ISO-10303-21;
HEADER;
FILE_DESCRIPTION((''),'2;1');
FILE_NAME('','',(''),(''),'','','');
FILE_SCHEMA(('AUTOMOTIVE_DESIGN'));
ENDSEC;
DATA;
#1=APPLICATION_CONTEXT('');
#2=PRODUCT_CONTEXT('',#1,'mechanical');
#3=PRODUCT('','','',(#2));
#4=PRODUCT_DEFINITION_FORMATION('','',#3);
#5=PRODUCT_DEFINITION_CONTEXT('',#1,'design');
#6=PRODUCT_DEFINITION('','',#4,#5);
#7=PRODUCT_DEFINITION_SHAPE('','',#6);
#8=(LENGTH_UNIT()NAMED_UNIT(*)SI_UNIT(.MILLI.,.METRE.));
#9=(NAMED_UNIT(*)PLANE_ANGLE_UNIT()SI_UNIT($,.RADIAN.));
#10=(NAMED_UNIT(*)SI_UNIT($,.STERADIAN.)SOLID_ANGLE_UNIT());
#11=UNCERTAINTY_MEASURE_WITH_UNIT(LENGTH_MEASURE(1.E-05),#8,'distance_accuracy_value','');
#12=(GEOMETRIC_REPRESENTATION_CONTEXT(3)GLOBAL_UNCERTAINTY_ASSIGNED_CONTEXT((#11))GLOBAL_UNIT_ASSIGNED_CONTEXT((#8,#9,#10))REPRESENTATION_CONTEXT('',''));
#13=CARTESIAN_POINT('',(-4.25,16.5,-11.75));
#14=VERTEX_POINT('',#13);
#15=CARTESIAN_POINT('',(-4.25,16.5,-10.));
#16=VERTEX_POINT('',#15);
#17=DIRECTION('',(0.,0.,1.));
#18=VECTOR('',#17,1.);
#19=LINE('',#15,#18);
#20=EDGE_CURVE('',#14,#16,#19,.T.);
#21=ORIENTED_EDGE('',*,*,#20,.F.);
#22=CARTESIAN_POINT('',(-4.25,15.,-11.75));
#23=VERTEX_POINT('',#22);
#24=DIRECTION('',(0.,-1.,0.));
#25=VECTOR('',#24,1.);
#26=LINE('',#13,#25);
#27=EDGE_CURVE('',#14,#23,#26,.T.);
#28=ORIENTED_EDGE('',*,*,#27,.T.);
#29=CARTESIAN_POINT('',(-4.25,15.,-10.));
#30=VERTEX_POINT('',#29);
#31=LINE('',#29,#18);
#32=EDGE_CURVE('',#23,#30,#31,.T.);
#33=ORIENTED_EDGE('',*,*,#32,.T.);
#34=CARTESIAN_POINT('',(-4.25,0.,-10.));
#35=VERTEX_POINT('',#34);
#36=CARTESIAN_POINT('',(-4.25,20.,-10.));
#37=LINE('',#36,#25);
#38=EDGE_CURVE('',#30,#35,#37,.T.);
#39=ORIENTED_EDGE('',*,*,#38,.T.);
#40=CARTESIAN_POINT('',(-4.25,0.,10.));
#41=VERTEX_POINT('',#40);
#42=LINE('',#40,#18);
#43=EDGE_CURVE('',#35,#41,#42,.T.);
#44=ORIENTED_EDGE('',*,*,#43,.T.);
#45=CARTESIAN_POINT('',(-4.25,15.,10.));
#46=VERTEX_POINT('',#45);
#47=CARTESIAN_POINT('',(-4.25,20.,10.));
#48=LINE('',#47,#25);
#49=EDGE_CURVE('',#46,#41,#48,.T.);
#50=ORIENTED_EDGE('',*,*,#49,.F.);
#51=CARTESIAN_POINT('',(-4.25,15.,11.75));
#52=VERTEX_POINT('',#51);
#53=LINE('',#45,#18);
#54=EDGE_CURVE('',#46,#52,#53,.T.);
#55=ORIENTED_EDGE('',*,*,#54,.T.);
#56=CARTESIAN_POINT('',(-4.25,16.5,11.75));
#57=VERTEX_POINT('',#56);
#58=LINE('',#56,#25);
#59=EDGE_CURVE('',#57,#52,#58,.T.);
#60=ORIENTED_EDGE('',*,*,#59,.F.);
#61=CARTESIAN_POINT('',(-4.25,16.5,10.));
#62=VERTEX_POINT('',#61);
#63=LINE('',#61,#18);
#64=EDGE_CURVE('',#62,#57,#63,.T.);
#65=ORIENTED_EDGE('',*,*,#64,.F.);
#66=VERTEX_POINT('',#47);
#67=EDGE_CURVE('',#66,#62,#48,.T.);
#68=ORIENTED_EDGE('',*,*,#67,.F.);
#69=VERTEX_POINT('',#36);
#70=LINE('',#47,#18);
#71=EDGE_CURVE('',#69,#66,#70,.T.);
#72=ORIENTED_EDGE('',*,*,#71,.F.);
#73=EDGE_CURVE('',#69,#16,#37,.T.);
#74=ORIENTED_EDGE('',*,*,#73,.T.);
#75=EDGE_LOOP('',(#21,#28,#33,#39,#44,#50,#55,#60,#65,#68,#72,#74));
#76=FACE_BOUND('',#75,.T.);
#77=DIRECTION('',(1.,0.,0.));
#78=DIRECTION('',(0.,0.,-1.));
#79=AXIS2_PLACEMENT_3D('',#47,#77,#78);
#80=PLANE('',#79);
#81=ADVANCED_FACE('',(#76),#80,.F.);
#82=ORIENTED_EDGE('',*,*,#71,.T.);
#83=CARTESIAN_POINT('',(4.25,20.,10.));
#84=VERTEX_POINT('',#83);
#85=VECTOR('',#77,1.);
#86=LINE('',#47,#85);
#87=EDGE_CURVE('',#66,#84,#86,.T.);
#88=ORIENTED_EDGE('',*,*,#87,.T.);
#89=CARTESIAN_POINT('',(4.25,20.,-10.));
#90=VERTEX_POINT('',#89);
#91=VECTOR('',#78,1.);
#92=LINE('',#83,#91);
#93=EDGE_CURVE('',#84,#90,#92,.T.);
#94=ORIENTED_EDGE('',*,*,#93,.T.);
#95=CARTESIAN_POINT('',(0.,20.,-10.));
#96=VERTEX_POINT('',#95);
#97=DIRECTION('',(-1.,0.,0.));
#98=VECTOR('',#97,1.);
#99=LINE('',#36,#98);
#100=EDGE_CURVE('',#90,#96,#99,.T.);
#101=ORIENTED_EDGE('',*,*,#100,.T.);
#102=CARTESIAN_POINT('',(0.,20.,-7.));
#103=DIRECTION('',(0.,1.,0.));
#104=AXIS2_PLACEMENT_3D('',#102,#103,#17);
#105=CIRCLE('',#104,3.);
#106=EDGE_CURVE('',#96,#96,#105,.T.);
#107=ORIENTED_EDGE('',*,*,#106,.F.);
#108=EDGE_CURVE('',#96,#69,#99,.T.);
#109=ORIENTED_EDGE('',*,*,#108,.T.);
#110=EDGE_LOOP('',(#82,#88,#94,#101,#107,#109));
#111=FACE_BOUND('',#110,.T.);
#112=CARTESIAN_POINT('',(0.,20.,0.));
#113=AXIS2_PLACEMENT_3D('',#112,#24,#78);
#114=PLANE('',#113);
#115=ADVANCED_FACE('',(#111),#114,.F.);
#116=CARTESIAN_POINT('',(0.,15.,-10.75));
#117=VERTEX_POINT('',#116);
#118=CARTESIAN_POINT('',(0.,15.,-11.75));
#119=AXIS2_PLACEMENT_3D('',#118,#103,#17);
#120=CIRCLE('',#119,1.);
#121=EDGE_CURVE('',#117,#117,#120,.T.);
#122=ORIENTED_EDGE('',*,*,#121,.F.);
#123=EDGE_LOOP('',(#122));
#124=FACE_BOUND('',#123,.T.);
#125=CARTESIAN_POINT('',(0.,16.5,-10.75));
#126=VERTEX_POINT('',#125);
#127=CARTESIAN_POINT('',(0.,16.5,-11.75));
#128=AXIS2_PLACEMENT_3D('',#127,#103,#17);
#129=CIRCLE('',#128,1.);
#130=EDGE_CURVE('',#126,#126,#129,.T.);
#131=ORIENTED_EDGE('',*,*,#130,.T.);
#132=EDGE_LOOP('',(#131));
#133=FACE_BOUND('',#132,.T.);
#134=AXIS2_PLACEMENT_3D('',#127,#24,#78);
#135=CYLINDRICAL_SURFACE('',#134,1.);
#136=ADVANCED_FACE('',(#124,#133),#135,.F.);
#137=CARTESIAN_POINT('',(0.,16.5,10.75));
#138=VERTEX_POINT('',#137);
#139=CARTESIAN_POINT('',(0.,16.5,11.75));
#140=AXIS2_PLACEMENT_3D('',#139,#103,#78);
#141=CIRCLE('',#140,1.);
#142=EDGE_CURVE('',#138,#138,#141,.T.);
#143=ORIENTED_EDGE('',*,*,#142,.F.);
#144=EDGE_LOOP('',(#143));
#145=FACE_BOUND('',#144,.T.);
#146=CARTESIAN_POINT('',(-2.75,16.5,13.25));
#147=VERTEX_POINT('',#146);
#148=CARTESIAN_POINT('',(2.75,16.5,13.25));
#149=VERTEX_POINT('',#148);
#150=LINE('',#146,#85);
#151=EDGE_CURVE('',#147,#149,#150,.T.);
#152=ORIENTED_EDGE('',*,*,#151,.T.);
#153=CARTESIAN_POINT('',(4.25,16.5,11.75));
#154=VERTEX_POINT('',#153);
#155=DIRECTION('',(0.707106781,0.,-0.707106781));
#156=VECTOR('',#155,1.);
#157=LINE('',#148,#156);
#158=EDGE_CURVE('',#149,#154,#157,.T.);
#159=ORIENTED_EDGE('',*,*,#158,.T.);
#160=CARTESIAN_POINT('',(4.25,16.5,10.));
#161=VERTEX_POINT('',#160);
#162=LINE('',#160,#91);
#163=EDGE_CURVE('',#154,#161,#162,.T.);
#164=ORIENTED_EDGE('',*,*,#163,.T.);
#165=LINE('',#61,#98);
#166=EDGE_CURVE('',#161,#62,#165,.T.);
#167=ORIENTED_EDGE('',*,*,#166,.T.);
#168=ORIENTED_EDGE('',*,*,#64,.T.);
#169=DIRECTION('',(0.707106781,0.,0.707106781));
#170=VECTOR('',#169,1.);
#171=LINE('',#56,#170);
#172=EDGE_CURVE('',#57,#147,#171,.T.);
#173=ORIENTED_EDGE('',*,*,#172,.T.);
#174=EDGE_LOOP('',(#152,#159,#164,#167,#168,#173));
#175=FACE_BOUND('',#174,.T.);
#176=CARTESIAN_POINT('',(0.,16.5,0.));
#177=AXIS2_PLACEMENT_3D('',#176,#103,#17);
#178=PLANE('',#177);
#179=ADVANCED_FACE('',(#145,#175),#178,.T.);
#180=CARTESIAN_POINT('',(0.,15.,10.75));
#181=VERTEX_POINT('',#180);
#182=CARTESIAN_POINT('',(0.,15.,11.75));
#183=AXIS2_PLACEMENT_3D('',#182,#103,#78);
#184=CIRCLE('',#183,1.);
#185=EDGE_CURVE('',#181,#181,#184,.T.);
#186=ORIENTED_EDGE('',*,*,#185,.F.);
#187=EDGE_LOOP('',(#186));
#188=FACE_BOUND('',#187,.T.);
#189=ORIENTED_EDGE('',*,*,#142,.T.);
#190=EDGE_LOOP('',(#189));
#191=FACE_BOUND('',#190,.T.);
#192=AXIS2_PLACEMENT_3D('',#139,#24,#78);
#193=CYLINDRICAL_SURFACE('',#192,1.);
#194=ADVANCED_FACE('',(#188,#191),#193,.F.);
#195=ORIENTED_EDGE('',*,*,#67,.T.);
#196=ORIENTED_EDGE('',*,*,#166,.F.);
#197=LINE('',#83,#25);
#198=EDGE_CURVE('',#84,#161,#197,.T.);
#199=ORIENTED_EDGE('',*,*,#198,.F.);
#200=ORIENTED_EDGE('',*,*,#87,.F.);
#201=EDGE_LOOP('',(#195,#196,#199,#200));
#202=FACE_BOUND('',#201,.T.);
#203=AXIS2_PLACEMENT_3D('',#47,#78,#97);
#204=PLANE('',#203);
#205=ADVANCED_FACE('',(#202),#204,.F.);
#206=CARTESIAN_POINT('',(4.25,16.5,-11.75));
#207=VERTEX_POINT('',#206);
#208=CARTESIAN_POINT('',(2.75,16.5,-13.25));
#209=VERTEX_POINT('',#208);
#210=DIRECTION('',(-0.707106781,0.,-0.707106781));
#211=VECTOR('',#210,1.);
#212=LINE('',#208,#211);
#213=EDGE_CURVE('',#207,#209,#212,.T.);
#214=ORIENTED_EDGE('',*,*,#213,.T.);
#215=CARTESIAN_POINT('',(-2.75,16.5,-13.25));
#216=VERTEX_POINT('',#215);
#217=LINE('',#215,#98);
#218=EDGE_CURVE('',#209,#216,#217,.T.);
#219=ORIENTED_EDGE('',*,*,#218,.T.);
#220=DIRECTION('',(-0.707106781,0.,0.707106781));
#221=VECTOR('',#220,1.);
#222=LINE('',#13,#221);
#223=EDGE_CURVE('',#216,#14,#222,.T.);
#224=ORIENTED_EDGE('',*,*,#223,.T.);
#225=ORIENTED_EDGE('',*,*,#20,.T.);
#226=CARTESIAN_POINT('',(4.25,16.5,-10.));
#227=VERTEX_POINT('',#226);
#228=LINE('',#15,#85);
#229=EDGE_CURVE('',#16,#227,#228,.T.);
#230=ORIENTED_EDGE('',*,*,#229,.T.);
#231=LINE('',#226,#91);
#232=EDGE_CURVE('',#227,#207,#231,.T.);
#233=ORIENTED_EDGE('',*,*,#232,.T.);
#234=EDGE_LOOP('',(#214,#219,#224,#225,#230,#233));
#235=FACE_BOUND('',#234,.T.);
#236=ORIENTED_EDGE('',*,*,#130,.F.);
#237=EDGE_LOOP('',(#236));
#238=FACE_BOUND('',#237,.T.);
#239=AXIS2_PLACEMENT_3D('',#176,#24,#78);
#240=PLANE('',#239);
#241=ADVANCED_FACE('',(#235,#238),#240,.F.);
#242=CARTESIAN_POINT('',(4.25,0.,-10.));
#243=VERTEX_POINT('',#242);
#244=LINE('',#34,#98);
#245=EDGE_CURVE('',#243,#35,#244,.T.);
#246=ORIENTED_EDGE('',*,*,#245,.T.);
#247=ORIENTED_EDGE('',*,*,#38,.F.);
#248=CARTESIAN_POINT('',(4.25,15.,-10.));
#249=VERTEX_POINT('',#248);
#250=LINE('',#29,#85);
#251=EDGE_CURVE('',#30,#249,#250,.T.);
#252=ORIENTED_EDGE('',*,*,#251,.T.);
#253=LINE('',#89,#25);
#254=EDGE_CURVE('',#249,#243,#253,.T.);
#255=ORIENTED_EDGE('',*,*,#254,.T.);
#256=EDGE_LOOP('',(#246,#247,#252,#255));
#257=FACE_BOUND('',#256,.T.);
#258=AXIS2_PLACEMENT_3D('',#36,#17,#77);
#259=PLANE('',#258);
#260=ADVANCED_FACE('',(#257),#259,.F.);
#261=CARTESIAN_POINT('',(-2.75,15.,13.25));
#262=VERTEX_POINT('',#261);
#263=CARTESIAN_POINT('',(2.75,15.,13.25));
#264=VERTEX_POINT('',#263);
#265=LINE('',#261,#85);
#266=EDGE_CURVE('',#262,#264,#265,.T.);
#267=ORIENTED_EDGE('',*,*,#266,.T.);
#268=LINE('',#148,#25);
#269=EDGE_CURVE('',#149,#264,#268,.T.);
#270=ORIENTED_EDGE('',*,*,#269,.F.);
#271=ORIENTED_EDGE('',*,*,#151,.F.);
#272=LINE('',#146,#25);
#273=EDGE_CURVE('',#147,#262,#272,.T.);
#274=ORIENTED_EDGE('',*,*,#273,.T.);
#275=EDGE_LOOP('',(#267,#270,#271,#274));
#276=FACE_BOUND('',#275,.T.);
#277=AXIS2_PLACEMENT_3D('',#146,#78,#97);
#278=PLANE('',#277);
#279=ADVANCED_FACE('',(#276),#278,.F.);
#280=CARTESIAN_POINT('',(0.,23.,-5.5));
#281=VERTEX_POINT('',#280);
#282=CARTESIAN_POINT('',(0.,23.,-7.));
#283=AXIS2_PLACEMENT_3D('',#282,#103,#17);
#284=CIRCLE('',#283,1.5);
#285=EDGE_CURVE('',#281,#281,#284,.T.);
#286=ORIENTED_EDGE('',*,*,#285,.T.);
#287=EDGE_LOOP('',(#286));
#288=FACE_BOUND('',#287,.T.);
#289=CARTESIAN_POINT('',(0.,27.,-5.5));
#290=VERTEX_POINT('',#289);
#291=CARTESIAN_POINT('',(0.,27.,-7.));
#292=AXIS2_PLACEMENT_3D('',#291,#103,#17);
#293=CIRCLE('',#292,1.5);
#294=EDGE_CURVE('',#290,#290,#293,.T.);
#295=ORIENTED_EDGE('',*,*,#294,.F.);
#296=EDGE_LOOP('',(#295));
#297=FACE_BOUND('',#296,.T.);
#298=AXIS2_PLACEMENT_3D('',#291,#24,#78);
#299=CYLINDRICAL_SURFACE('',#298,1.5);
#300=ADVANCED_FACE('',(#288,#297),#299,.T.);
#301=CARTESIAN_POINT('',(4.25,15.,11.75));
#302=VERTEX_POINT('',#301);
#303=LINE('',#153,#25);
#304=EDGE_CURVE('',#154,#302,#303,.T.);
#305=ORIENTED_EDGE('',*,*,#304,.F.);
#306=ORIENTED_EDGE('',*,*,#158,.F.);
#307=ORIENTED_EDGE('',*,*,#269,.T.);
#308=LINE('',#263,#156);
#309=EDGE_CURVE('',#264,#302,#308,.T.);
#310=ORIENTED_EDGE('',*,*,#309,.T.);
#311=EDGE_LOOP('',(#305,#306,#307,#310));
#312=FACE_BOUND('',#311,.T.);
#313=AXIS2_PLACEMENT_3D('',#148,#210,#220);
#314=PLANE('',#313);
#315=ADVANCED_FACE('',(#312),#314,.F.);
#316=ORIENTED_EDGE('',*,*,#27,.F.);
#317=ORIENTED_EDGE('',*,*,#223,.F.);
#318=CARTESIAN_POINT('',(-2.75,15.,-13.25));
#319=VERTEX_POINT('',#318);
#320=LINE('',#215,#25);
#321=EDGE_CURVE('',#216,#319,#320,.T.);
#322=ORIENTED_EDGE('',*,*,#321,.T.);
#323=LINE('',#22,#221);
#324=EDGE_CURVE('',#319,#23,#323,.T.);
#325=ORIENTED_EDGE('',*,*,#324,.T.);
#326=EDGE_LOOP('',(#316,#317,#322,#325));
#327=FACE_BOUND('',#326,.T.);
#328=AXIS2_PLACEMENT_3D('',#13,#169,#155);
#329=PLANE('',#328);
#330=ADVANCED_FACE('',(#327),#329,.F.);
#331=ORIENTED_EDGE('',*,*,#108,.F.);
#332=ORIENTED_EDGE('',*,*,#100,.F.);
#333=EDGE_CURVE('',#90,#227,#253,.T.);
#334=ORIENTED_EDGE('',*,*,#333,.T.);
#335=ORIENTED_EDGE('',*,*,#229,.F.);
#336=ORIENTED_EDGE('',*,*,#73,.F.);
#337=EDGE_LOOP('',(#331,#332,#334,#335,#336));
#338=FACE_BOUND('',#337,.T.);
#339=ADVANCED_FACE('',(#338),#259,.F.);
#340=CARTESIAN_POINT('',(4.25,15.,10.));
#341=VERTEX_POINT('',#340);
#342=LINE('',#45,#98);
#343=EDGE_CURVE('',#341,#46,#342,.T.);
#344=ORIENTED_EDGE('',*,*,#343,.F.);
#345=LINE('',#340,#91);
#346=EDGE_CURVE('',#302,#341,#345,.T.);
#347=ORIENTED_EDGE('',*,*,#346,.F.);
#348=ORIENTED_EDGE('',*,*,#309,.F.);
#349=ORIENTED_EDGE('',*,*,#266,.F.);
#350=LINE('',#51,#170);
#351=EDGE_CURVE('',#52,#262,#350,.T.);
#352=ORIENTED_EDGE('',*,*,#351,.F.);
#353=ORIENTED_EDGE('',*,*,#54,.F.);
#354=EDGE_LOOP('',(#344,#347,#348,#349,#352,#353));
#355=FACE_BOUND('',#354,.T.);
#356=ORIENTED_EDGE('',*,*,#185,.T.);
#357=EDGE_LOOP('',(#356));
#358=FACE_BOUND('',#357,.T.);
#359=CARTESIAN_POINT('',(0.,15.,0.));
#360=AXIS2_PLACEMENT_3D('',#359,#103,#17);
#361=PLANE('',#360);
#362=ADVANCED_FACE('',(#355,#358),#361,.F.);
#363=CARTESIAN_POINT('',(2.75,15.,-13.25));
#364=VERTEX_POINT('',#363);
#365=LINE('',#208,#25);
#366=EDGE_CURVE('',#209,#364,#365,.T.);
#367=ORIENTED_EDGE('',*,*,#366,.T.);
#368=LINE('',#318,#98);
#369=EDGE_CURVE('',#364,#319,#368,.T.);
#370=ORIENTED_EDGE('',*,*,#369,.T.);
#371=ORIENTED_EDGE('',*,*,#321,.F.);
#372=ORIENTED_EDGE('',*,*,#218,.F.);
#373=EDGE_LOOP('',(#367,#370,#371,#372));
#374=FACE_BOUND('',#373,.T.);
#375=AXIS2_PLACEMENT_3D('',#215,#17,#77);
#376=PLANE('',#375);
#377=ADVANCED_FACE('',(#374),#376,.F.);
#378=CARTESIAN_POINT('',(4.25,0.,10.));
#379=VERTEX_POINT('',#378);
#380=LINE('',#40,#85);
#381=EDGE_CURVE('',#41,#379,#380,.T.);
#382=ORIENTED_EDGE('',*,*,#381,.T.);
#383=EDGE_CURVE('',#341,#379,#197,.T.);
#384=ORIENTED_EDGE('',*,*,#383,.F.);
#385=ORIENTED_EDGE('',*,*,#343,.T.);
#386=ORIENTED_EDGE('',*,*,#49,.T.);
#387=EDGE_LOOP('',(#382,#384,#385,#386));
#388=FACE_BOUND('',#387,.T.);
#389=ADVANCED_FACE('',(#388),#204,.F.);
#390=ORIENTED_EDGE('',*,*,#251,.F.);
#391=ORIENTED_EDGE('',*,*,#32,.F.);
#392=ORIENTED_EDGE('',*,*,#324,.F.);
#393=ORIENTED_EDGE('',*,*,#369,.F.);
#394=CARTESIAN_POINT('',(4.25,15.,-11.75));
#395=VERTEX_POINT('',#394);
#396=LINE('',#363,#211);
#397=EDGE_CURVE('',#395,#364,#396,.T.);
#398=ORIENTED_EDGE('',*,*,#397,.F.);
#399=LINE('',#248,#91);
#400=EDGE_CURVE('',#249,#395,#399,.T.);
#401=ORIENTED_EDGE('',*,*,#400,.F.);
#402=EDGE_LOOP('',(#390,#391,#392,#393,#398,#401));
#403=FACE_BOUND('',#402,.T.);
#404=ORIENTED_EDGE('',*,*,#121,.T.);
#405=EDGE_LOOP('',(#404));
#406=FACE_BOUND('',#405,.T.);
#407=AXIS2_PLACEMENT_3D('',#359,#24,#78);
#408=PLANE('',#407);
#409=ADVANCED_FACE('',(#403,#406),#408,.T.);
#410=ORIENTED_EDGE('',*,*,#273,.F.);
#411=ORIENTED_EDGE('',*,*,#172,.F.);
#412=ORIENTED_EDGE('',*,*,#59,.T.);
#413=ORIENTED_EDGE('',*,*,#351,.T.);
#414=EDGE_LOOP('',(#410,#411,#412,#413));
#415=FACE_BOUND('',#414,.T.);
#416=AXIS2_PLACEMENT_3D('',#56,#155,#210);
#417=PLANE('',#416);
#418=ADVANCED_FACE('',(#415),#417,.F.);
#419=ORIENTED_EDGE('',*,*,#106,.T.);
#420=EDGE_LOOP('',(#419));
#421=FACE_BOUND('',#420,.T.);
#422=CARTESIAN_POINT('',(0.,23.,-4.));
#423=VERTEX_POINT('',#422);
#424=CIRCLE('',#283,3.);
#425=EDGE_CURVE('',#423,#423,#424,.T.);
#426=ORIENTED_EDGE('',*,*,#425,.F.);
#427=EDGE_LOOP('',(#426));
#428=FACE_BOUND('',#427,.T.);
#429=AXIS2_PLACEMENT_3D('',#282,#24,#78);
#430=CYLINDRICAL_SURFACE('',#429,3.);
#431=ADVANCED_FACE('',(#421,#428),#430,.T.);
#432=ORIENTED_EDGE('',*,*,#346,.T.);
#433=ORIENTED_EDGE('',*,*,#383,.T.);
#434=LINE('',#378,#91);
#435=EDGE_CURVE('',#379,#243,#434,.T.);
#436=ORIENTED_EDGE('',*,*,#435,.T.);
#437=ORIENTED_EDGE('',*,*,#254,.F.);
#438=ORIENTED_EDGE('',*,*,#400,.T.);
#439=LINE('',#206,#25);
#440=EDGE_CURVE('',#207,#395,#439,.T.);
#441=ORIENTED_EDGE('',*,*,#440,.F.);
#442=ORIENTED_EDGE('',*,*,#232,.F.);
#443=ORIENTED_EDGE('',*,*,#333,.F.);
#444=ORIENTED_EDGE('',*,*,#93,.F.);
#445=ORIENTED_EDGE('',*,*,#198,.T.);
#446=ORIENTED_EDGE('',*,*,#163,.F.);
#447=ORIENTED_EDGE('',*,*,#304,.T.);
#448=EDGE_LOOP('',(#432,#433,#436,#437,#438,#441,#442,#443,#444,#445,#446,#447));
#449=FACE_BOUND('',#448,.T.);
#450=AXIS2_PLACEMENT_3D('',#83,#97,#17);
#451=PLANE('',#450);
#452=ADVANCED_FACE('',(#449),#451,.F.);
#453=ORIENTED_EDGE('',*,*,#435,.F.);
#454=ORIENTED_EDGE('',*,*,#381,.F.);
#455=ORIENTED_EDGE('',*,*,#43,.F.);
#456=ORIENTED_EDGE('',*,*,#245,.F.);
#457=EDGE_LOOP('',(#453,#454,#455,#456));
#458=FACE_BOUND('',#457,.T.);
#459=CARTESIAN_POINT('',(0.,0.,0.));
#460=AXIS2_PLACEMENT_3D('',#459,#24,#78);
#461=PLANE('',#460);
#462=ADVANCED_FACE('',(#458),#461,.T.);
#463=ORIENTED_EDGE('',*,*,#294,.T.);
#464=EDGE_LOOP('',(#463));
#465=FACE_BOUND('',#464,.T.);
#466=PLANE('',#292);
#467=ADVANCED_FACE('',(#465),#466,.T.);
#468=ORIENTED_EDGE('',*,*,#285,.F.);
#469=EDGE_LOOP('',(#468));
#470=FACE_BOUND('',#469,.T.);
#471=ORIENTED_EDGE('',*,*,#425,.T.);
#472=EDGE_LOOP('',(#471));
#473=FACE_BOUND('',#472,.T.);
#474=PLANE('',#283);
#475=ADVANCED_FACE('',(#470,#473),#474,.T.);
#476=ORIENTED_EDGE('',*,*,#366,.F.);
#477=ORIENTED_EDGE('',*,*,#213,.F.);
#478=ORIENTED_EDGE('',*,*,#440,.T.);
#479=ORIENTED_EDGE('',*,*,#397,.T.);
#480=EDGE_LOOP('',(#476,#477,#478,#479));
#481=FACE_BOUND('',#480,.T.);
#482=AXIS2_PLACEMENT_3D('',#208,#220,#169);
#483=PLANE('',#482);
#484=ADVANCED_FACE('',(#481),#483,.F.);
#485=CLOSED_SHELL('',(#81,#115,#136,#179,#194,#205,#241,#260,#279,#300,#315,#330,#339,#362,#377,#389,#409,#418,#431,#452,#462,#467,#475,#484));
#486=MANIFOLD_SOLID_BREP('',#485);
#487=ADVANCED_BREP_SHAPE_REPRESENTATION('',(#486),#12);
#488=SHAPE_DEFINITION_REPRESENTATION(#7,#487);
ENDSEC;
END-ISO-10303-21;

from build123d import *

# Parameters (mm, degrees)
SKETCH1_W           = 8.5
SKETCH1_H           = 20
BOSS_EXTRUDE1_DEPTH = 20
SKETCH4_R           = 1
BOSS_EXTRUDE2_DEPTH = 1.5
SKETCH6_R           = 3
BOSS_EXTRUDE3_DEPTH = 3
SKETCH7_R           = 1.5
BOSS_EXTRUDE4_DEPTH = 4


with BuildPart() as part:
    # Sketch1 → Boss-Extrude1 (new body)
    with BuildSketch(Plane(origin=(0, 0, 0), x_dir=(1, 0, 0), z_dir=(0, 1, 0))):
        Rectangle(SKETCH1_W, SKETCH1_H)
    extrude(amount=BOSS_EXTRUDE1_DEPTH)

    # Sketch4 → Boss-Extrude2 (add)
    with BuildSketch(Plane(origin=(0, 15, 0), x_dir=(1, 0, 0), z_dir=(0, 1, 0))):
        Polygon((-4.25, 10), (4.25, 10), (4.25, 11.75), (2.75, 13.25), (-2.75, 13.25), (-4.25, 11.75), align=None)
        with Locations((0, 11.75)):
            Circle(SKETCH4_R, mode=Mode.SUBTRACT)
        Polygon((-2.75, -13.25), (2.75, -13.25), (4.25, -11.75), (4.25, -10), (-4.25, -10), (-4.25, -11.75), align=None)
        with Locations((0, -11.75)):
            Circle(SKETCH4_R, mode=Mode.SUBTRACT)
    extrude(amount=BOSS_EXTRUDE2_DEPTH)

    # Sketch6 → Boss-Extrude3 (add)
    with BuildSketch(Plane(origin=(0, 20, 0), x_dir=(1, 0, 0), z_dir=(0, 1, 0))):
        with Locations((0, 7)):
            Circle(SKETCH6_R)
    extrude(amount=BOSS_EXTRUDE3_DEPTH)

    # Sketch7 → Boss-Extrude4 (add)
    with BuildSketch(Plane(origin=(0, 23, 0), x_dir=(1, 0, 0), z_dir=(0, 1, 0))):
        with Locations((0, 7)):
            Circle(SKETCH7_R)
    extrude(amount=BOSS_EXTRUDE4_DEPTH)


solid = part.part
